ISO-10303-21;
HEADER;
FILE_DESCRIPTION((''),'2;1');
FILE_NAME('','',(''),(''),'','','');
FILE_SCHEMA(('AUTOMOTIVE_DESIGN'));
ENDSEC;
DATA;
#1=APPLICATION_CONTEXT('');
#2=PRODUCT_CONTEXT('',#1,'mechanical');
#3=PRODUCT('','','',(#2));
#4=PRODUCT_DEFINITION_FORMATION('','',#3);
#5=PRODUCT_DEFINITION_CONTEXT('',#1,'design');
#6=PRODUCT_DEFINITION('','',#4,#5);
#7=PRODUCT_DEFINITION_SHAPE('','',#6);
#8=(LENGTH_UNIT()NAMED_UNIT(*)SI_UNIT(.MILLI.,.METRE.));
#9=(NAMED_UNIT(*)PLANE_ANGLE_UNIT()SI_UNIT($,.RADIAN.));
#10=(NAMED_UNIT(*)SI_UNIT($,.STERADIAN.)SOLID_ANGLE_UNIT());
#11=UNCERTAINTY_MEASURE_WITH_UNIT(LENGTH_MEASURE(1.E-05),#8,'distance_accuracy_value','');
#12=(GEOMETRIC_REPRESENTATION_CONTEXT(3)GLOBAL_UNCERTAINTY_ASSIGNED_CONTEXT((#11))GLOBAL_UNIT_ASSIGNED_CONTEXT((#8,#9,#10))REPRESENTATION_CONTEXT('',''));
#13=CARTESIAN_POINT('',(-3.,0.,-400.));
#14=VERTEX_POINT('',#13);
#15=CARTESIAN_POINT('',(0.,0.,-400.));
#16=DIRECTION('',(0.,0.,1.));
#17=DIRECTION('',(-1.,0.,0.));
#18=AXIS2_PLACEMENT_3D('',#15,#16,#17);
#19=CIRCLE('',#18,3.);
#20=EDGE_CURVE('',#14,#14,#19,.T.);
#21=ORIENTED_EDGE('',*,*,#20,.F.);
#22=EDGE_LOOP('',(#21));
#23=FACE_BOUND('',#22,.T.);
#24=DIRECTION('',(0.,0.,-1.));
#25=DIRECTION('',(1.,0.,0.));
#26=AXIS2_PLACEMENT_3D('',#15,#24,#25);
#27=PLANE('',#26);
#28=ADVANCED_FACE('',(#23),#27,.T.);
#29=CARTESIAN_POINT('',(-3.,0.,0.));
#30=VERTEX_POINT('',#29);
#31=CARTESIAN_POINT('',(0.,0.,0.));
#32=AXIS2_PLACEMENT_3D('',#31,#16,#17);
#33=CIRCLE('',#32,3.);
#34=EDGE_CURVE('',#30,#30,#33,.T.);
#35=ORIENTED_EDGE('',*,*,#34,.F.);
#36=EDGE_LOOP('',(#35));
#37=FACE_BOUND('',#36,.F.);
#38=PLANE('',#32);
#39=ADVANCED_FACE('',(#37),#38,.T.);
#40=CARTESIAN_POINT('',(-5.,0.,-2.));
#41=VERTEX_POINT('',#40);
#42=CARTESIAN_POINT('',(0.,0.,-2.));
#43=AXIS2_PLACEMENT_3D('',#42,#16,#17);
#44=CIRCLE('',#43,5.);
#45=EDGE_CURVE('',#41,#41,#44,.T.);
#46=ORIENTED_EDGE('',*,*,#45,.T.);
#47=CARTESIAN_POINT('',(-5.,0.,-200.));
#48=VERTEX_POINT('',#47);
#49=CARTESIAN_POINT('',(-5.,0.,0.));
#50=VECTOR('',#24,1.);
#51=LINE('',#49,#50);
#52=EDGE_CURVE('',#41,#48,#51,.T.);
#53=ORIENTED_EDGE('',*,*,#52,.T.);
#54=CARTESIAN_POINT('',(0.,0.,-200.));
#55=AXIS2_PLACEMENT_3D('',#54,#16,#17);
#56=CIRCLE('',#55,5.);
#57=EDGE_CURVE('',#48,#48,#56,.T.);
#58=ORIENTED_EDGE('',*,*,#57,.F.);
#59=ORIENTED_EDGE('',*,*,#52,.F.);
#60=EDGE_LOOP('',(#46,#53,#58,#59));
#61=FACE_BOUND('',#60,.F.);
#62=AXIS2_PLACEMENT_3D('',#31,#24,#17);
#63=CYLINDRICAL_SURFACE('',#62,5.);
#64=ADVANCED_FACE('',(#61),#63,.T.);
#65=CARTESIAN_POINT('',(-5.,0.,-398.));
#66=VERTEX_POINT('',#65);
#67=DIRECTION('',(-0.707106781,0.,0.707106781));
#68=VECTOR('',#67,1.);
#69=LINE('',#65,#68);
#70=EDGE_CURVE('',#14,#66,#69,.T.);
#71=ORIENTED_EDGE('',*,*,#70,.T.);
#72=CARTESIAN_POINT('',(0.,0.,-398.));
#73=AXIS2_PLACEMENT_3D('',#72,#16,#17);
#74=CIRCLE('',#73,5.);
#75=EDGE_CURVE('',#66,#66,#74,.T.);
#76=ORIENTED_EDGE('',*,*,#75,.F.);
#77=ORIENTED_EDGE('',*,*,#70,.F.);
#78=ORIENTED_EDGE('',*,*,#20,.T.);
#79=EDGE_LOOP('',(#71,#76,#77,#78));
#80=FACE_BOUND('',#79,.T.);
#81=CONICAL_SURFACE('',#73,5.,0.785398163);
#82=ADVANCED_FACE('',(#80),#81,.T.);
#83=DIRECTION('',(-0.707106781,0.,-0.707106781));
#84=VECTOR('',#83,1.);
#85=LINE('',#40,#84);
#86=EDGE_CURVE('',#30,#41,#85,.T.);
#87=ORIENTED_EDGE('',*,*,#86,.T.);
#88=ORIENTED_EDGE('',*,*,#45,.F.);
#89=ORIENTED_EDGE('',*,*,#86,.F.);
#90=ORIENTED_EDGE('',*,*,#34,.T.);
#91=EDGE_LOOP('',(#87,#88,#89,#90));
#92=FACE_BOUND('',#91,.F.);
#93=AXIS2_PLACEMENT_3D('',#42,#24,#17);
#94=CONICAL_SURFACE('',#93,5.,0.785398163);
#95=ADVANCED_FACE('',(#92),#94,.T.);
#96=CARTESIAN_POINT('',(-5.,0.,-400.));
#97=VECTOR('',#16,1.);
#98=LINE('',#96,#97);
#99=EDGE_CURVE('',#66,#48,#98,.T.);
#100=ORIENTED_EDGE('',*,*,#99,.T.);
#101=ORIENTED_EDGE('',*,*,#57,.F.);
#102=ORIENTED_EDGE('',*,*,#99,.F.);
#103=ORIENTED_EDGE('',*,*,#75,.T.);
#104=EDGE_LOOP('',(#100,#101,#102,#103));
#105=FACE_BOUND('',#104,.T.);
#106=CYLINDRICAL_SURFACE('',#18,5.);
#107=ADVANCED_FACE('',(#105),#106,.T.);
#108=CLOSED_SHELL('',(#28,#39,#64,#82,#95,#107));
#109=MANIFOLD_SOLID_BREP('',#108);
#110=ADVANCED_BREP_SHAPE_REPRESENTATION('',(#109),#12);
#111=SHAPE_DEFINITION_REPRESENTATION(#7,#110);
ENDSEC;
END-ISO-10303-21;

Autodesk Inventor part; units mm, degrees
ref_plane "YZ Plane" through (0, 0, 0) normal (1, 0, 0) x (0, 1, 0)
ref_plane "XZ Plane" through (0, 0, 0) normal (0, 1, 0) x (-1, 0, 0)
ref_plane "XY Plane" through (0, 0, 0) normal (0, 0, 1) x (1, 0, 0)
sketch "Skizze1" plane through (0, 0, 0) normal (0, 1, 0) x (-1, 0, 0)
  line L0 (0, 0) -> (5, 0)
  line L1 (5, 0) -> (5, -200)
  line L2 (5, -200) -> (0, -200)
  line L3 (0, -200) -> (0, 0)
  dimension "d0" = 200
  dimension "d1" = 10
revolve "Umdrehung1" add sketch "Skizze1" angle 360 about axis through (0, 0, -200) along (0, 0, 1)
thread "Gewinde1" size "M10x1.5" class "6g" standard "ISO Metric profile" length 15
chamfer "Fase1" distance 2 angle 45 1 edges at (5, 0, 0)
mirror "Spiegeln1" about plane through (0, 0, -200) normal (0, 0, -1)
properties part number "Gewindestange" material "Stahl AISI 4130"
